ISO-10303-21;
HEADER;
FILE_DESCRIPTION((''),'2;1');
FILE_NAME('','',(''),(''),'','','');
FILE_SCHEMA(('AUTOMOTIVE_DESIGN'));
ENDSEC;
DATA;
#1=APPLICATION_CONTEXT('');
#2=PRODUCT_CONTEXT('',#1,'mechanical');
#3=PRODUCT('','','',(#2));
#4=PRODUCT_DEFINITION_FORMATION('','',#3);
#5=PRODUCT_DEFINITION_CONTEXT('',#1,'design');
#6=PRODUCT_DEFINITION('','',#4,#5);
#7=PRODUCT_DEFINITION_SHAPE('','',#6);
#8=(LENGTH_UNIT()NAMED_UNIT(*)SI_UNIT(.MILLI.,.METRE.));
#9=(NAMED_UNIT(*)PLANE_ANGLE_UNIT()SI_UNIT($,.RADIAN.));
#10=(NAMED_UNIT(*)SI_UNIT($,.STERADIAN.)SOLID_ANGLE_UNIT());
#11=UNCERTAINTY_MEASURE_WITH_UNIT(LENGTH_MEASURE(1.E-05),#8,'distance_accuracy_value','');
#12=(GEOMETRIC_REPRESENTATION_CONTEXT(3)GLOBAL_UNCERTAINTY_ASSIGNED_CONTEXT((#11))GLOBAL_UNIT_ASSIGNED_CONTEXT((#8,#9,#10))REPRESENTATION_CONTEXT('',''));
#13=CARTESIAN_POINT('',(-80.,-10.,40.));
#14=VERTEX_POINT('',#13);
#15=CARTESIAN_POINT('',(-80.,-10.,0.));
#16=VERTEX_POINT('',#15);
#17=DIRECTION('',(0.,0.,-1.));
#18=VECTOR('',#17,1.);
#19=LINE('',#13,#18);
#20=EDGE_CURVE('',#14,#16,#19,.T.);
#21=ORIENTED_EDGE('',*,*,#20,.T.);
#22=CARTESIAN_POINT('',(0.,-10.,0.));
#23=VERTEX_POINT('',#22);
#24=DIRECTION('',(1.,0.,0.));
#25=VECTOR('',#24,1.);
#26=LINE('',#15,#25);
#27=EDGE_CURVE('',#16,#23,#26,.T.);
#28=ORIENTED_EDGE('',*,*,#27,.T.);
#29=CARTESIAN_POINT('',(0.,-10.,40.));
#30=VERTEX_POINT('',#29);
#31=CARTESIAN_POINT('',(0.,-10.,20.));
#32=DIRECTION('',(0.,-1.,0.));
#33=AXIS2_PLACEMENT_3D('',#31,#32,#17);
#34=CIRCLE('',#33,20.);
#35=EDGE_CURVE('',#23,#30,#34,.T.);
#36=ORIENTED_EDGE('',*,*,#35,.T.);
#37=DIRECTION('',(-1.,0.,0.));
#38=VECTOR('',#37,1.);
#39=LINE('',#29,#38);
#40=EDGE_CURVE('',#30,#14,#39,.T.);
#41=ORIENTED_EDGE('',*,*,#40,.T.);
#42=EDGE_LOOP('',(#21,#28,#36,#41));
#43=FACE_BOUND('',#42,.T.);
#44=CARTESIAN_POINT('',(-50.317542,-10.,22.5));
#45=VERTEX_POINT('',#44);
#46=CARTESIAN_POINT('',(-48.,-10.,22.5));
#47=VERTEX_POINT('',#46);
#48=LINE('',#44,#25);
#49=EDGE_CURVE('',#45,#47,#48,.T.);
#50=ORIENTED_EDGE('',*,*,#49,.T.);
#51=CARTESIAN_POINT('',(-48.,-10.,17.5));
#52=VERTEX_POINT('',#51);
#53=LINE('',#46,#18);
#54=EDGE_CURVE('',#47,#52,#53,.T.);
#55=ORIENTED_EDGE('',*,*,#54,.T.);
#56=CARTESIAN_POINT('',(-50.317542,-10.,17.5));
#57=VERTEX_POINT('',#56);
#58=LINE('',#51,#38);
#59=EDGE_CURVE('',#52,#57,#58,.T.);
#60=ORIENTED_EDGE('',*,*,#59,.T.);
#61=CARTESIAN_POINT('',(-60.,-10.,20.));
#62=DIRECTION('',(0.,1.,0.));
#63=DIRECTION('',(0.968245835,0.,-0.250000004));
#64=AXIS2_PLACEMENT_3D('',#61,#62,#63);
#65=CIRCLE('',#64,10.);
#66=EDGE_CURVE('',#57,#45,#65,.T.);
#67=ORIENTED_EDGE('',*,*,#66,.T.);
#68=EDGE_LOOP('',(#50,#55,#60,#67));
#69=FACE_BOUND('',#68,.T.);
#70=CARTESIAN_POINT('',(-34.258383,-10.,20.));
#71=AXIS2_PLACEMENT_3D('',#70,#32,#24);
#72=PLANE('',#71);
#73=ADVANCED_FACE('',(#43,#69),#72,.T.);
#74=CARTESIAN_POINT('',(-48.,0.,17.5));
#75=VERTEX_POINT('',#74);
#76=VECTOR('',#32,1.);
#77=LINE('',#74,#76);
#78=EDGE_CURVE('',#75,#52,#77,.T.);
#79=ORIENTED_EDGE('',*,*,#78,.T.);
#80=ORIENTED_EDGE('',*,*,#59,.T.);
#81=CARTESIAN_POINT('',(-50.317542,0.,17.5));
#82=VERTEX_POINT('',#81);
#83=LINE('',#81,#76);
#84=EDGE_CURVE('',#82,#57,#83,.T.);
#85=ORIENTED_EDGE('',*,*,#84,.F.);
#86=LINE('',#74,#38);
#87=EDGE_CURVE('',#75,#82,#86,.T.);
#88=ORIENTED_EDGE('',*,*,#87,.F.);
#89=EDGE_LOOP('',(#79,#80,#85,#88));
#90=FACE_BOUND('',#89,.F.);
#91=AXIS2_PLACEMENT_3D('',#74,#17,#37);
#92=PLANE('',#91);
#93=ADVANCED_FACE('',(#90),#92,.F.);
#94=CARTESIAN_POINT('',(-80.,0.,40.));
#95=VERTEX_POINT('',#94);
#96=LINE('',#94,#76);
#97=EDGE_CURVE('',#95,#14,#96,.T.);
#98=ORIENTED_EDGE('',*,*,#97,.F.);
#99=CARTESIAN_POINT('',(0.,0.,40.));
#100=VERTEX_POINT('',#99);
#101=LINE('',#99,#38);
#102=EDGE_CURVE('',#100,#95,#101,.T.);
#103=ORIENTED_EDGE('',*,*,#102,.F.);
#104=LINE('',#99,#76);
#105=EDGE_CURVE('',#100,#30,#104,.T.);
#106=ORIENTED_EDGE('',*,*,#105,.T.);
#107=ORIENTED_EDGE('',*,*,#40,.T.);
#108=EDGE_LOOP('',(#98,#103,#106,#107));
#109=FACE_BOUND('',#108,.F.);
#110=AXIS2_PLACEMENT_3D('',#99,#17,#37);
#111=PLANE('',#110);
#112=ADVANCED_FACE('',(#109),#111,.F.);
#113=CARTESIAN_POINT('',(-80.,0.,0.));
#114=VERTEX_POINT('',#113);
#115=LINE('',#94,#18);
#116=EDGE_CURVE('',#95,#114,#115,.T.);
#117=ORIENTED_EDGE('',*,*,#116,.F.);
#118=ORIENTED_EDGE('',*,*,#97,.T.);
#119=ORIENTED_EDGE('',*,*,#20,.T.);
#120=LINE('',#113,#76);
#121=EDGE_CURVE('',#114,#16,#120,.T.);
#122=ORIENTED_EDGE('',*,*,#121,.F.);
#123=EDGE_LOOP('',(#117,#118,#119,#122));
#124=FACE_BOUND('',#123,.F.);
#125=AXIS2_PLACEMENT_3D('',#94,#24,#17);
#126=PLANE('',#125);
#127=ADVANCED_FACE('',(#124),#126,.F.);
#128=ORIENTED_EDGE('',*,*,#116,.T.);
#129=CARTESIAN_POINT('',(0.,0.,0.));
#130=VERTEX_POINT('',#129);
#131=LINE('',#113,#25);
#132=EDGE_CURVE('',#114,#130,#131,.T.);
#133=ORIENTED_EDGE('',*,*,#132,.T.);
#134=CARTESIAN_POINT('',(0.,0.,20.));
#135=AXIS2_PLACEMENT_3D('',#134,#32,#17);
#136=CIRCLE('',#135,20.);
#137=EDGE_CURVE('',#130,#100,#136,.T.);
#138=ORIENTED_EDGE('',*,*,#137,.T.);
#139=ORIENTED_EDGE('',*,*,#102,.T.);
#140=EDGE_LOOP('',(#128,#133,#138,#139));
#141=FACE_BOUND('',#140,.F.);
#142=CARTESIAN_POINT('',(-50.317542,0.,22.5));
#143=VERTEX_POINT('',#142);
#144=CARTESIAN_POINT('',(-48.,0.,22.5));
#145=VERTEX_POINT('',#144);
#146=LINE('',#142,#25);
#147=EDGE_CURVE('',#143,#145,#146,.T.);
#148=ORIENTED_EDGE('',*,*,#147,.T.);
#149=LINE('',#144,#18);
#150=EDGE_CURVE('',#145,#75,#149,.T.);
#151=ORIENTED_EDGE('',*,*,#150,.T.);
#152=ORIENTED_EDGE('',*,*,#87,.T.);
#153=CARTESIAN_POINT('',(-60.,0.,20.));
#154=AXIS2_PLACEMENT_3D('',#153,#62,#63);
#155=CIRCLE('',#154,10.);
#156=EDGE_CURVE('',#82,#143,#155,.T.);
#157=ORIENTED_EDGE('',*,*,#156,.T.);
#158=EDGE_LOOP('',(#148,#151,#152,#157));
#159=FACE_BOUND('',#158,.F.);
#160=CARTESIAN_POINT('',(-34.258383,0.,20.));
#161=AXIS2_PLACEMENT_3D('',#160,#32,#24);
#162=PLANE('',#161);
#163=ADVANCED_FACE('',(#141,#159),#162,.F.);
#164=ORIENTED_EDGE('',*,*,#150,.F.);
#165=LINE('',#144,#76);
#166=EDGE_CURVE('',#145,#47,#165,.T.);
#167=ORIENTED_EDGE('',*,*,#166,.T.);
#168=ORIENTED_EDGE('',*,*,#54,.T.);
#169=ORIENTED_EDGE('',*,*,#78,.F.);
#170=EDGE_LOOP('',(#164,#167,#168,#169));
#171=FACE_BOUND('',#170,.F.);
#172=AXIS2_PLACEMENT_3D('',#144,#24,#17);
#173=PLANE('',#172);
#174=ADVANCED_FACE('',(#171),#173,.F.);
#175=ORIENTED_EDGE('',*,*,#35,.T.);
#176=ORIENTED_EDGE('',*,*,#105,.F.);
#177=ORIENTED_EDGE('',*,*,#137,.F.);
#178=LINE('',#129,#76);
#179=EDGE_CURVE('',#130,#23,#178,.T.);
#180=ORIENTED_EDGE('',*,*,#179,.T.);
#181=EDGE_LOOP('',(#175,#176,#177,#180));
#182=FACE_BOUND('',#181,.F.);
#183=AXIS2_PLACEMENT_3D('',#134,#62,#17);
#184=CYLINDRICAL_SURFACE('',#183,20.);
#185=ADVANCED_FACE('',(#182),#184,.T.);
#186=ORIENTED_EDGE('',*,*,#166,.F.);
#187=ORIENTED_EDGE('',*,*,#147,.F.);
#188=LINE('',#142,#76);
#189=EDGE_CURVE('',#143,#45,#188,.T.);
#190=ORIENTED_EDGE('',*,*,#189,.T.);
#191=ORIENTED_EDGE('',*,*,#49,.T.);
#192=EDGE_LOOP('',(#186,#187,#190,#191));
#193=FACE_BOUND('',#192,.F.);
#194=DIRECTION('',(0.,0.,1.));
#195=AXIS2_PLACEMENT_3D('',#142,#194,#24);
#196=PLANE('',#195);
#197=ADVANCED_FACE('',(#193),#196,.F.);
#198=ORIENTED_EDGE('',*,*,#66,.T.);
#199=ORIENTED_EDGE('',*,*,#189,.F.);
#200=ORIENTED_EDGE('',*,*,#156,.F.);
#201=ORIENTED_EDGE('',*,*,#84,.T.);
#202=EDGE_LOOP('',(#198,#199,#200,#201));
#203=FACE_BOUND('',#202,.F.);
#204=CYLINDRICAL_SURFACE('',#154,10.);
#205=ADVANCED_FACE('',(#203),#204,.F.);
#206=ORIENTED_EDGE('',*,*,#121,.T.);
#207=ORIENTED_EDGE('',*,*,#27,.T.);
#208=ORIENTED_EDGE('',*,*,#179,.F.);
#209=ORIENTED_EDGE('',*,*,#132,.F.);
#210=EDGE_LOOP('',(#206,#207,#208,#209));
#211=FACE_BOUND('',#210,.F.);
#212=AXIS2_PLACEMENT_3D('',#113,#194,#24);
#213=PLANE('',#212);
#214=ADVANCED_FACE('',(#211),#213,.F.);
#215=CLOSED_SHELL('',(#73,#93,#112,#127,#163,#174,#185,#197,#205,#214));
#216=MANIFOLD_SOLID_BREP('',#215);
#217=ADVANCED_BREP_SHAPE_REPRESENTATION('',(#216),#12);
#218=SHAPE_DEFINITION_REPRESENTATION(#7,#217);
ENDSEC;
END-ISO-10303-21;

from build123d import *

# Parameters (mm, degrees)
F1_DEPTH = 10


with BuildPart() as f1:
    # F0 (on Front) → F1 (new body)
    with BuildSketch(Plane.XZ):
        with BuildLine():
            Line((0, 40), (-80, 40))
            Line((-80, 40), (-80, 0))
            Line((-80, 0), (0, 0))
            ThreePointArc((0, 0), (20, 20), (0, 40))
        make_face()
        with BuildLine():
            ThreePointArc((-50.317542, 17.5), (-70, 20), (-50.317542, 22.5))
            Line((-50.317542, 22.5), (-48, 22.5))
            Line((-48, 22.5), (-48, 20))
            Line((-48, 20), (-48, 17.5))
            Line((-48, 17.5), (-50.317542, 17.5))
        make_face(mode=Mode.SUBTRACT)
    extrude(amount=F1_DEPTH)


solid = f1.part
